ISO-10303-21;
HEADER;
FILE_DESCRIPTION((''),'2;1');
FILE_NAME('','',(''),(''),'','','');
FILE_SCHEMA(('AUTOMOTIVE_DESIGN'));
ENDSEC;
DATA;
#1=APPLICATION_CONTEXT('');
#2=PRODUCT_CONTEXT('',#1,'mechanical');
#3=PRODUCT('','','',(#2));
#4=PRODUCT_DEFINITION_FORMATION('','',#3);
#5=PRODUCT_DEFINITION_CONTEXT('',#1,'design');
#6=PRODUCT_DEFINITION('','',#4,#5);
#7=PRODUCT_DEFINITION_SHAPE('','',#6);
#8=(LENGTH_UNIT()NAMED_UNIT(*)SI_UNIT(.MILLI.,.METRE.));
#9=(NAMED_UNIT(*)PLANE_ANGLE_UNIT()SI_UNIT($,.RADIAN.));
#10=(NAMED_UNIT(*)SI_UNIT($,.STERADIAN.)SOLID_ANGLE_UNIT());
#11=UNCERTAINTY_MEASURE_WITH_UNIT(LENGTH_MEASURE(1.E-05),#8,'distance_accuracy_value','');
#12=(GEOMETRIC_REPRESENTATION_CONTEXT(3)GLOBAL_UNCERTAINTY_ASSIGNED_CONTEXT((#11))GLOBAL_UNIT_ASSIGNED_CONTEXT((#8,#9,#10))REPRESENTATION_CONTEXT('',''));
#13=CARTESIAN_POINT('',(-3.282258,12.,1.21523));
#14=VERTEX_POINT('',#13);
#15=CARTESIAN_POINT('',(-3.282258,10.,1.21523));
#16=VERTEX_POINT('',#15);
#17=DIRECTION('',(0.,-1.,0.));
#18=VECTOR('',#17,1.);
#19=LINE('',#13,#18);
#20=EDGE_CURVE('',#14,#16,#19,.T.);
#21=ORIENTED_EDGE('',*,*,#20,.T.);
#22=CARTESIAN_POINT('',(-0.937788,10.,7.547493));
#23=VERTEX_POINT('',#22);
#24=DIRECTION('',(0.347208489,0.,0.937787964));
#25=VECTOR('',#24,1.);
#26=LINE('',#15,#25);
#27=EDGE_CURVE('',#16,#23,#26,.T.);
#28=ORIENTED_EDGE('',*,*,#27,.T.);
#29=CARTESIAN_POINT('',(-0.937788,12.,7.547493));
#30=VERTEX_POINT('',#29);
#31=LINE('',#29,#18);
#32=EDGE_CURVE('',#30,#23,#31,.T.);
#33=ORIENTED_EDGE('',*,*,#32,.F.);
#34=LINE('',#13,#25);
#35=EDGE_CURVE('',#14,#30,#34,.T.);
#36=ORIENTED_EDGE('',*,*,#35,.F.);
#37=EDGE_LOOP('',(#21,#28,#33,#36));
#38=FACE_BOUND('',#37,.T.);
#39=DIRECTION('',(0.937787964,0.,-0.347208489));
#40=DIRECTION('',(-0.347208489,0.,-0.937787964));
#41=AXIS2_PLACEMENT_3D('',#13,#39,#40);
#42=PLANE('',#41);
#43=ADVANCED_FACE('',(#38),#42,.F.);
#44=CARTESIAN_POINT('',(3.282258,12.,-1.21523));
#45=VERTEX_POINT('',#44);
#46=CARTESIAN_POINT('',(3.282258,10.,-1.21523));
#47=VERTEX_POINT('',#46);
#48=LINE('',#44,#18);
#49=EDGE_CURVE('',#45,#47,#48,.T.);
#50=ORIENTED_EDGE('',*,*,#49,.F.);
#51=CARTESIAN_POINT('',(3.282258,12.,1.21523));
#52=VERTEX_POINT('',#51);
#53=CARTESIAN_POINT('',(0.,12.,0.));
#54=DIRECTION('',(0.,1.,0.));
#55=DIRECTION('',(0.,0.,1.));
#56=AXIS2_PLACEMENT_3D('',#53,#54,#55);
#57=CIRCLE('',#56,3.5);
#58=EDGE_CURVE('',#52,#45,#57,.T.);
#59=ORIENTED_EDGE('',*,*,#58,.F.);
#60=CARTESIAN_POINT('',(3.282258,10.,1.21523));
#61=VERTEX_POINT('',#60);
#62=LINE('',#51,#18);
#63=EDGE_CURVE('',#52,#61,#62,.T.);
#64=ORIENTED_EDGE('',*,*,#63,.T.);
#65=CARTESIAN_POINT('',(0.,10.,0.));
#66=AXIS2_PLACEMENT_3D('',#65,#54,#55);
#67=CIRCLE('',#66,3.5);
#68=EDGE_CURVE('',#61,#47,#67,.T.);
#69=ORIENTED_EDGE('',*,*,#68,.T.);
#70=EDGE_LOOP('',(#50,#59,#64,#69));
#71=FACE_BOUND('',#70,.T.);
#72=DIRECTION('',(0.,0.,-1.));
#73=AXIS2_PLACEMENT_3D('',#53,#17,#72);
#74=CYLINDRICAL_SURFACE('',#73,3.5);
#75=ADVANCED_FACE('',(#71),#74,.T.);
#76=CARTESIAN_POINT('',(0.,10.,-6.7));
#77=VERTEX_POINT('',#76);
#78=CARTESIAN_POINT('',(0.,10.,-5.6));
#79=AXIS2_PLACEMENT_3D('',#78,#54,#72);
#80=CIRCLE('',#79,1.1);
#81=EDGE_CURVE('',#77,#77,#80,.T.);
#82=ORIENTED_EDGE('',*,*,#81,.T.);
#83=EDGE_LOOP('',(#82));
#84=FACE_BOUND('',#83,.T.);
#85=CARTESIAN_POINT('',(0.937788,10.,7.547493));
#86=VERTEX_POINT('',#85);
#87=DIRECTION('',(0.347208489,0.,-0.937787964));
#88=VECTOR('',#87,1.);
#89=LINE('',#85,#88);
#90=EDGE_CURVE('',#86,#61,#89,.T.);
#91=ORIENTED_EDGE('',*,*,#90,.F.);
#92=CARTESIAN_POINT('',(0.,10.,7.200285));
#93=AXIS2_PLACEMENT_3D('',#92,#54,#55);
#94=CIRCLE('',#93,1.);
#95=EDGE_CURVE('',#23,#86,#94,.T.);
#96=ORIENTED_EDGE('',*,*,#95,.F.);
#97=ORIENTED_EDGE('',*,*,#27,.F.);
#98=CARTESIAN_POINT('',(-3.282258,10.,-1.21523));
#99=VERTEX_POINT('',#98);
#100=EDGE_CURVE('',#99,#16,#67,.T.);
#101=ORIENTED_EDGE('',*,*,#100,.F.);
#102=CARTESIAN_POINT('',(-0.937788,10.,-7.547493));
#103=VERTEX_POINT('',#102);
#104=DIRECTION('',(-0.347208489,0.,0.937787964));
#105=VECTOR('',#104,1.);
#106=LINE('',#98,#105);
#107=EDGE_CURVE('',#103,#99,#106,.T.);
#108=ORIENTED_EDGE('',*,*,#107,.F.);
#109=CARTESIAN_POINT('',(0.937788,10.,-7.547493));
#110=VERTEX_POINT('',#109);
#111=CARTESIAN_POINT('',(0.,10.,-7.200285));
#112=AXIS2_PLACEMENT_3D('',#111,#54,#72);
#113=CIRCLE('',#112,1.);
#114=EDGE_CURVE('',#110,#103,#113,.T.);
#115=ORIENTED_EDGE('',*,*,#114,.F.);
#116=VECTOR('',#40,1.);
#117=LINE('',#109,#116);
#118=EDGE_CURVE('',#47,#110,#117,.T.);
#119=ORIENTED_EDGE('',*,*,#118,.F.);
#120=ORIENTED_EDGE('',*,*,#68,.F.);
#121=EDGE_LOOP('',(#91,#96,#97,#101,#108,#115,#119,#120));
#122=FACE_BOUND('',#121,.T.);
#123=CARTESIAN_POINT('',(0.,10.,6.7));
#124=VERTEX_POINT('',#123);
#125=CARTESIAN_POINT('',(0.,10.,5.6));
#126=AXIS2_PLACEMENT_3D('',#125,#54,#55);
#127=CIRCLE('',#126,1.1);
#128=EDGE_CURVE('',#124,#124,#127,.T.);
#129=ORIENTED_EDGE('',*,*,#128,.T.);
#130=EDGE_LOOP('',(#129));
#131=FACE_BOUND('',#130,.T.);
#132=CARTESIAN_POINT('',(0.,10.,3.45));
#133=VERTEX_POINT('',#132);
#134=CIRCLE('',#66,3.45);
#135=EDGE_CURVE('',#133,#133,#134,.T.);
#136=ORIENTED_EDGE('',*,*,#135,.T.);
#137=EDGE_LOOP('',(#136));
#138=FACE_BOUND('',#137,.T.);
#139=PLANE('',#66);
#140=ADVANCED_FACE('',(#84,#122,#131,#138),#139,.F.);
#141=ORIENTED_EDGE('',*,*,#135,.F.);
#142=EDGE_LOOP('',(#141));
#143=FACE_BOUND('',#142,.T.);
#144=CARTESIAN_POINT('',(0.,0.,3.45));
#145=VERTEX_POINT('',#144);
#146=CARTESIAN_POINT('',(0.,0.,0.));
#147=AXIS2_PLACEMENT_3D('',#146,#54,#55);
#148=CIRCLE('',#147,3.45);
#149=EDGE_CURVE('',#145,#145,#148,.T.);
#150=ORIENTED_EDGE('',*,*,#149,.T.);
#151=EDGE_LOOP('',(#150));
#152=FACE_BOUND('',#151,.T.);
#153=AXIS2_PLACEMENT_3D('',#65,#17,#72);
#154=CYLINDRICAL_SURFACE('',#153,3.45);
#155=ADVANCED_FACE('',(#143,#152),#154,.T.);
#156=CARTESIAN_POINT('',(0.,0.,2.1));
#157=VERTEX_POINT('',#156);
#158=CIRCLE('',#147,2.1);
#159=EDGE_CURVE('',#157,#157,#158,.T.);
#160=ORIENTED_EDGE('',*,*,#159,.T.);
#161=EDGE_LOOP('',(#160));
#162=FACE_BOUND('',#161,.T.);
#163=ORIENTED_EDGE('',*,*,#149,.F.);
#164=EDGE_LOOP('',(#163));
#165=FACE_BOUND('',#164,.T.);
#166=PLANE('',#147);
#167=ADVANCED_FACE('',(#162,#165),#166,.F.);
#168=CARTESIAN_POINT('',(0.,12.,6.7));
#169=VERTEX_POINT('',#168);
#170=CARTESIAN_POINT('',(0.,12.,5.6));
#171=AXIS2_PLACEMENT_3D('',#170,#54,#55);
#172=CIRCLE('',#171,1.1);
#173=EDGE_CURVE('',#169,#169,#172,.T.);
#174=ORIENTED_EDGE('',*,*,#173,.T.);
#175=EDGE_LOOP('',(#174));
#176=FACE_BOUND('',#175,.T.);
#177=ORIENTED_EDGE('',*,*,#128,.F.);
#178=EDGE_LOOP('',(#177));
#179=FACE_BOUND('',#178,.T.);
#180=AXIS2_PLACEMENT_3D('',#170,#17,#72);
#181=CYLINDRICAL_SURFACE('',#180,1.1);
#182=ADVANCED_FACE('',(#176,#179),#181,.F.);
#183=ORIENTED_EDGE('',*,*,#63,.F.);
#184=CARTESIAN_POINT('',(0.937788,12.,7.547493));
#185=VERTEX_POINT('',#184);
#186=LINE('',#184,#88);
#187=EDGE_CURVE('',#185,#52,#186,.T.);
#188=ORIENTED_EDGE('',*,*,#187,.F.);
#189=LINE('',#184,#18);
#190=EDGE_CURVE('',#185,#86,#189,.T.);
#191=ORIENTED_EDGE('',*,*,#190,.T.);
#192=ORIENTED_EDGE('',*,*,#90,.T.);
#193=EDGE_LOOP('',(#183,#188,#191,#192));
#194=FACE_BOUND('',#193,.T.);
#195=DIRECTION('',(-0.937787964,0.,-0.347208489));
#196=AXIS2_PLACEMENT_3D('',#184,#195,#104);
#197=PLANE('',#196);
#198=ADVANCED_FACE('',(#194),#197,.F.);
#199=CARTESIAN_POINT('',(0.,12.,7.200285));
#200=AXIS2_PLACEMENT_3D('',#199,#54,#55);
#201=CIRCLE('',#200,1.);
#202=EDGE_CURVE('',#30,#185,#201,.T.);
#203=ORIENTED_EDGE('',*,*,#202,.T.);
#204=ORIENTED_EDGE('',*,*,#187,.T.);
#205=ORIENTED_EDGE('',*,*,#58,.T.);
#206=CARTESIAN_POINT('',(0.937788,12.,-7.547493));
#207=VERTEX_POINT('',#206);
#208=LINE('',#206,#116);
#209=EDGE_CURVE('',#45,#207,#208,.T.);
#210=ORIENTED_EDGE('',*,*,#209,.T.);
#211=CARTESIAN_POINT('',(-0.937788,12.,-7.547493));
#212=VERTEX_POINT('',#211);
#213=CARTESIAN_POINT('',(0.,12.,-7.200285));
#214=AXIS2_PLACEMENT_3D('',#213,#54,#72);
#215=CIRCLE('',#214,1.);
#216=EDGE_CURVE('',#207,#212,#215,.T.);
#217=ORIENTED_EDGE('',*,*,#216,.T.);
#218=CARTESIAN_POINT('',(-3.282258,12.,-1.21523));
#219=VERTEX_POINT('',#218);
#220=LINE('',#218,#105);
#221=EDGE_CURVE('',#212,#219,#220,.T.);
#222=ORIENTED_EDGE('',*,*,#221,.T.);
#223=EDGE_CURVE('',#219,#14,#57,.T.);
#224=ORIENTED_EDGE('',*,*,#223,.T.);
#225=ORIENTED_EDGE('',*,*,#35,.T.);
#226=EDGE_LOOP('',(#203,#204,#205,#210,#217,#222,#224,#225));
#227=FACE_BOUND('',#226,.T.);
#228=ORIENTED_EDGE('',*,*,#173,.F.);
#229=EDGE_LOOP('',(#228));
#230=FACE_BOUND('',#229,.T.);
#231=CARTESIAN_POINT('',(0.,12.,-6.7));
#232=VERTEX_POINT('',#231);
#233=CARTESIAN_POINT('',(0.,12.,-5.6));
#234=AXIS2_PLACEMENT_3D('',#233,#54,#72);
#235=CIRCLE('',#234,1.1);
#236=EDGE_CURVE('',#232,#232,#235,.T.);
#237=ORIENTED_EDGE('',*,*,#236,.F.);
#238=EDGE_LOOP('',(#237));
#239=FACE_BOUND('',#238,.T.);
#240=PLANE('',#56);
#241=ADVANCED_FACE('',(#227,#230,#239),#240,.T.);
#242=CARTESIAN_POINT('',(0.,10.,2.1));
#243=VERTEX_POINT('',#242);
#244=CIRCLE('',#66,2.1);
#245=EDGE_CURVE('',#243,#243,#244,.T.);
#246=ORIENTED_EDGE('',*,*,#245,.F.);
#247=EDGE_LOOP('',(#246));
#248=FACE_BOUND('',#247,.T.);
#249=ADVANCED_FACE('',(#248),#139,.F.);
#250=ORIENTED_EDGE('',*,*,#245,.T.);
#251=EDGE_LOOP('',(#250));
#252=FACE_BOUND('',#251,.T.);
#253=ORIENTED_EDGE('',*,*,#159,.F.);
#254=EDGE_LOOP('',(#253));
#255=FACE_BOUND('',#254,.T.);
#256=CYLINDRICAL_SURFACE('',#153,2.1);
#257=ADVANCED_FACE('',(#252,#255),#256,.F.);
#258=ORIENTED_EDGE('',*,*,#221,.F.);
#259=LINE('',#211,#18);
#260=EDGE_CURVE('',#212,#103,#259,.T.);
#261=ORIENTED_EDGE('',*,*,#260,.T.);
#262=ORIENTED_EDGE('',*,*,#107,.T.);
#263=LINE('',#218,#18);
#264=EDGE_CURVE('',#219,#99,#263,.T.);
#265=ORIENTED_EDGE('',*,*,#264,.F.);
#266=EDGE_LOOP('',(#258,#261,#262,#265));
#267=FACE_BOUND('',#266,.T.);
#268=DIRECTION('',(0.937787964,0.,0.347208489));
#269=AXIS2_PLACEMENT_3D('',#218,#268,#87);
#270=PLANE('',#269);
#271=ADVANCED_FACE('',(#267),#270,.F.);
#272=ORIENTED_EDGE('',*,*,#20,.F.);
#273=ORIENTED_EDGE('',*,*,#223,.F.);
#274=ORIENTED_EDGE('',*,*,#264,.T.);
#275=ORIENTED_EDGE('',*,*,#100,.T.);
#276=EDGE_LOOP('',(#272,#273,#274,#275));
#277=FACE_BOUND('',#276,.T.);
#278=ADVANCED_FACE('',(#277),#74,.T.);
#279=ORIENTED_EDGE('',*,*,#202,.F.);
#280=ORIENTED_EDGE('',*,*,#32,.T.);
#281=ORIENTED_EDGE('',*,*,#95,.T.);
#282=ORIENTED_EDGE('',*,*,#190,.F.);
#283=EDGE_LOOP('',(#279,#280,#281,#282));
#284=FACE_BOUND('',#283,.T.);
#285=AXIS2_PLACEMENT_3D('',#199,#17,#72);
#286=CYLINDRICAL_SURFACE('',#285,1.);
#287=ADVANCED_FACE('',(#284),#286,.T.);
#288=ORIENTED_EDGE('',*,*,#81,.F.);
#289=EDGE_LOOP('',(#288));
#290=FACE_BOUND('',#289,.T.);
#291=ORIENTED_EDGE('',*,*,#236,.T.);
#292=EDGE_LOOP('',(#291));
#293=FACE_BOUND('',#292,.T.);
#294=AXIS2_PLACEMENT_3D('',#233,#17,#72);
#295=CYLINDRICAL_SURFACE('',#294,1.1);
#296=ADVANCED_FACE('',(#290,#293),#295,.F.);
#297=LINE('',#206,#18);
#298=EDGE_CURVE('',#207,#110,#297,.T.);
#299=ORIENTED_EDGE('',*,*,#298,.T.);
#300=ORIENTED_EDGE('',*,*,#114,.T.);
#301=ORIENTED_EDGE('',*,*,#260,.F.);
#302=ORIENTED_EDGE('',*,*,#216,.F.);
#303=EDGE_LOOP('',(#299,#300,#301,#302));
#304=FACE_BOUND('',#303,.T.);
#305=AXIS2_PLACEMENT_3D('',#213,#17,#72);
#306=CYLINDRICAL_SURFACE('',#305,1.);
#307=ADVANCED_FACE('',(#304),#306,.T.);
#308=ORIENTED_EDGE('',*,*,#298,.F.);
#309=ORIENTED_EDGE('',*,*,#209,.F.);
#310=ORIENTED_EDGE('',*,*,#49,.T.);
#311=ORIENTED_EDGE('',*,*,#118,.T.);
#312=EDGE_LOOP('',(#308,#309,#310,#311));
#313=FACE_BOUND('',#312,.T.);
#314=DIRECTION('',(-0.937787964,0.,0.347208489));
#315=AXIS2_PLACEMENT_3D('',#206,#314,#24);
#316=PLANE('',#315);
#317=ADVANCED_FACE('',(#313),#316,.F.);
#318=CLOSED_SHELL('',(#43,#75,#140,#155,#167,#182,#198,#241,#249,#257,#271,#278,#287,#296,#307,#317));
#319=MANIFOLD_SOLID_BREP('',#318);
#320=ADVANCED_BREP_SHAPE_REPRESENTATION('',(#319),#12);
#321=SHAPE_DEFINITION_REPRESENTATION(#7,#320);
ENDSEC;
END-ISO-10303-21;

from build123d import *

# Parameters (mm, degrees)
SKETCH1_R           = 3.45
SKETCH1_R_2         = 2.1
BOSS_EXTRUDE1_DEPTH = 10
SKETCH2_R           = 1.1
BOSS_EXTRUDE2_DEPTH = 2


with BuildPart() as part:
    # Sketch1 → Boss-Extrude1 (new body)
    with BuildSketch(Plane(origin=(0, 0, 0), x_dir=(1, 0, 0), z_dir=(0, 1, 0))):
        Circle(SKETCH1_R)
        Circle(SKETCH1_R_2, mode=Mode.SUBTRACT)
    extrude(amount=BOSS_EXTRUDE1_DEPTH)

    # Sketch2 → Boss-Extrude2 (add)
    with BuildSketch(Plane(origin=(0, 10, 0), x_dir=(1, 0, 0), z_dir=(0, 1, 0))):
        with BuildLine():
            Line((-3.282257873, 1.215229712), (-0.937787964, 7.547493269))
            ThreePointArc((-0.937787964, 7.547493269), (0, 8.200284779), (0.937787964, 7.547493269))
            Line((0.937787964, 7.547493269), (3.282257873, 1.215229712))
            ThreePointArc((3.282257873, 1.215229712), (3.5, 0), (3.282257873, -1.215229712))
            Line((3.282257873, -1.215229712), (0.937787964, -7.547493269))
            ThreePointArc((0.937787964, -7.547493269), (0, -8.200284779), (-0.937787964, -7.547493269))
            Line((-0.937787964, -7.547493269), (-3.282257873, -1.215229712))
            ThreePointArc((-3.282257873, -1.215229712), (-3.5, 0), (-3.282257873, 1.215229712))
        make_face()
        with Locations((0, -5.6)):
            Circle(SKETCH2_R, mode=Mode.SUBTRACT)
        with Locations((0, 5.6)):
            Circle(SKETCH2_R, mode=Mode.SUBTRACT)
    extrude(amount=BOSS_EXTRUDE2_DEPTH)


solid = part.part
